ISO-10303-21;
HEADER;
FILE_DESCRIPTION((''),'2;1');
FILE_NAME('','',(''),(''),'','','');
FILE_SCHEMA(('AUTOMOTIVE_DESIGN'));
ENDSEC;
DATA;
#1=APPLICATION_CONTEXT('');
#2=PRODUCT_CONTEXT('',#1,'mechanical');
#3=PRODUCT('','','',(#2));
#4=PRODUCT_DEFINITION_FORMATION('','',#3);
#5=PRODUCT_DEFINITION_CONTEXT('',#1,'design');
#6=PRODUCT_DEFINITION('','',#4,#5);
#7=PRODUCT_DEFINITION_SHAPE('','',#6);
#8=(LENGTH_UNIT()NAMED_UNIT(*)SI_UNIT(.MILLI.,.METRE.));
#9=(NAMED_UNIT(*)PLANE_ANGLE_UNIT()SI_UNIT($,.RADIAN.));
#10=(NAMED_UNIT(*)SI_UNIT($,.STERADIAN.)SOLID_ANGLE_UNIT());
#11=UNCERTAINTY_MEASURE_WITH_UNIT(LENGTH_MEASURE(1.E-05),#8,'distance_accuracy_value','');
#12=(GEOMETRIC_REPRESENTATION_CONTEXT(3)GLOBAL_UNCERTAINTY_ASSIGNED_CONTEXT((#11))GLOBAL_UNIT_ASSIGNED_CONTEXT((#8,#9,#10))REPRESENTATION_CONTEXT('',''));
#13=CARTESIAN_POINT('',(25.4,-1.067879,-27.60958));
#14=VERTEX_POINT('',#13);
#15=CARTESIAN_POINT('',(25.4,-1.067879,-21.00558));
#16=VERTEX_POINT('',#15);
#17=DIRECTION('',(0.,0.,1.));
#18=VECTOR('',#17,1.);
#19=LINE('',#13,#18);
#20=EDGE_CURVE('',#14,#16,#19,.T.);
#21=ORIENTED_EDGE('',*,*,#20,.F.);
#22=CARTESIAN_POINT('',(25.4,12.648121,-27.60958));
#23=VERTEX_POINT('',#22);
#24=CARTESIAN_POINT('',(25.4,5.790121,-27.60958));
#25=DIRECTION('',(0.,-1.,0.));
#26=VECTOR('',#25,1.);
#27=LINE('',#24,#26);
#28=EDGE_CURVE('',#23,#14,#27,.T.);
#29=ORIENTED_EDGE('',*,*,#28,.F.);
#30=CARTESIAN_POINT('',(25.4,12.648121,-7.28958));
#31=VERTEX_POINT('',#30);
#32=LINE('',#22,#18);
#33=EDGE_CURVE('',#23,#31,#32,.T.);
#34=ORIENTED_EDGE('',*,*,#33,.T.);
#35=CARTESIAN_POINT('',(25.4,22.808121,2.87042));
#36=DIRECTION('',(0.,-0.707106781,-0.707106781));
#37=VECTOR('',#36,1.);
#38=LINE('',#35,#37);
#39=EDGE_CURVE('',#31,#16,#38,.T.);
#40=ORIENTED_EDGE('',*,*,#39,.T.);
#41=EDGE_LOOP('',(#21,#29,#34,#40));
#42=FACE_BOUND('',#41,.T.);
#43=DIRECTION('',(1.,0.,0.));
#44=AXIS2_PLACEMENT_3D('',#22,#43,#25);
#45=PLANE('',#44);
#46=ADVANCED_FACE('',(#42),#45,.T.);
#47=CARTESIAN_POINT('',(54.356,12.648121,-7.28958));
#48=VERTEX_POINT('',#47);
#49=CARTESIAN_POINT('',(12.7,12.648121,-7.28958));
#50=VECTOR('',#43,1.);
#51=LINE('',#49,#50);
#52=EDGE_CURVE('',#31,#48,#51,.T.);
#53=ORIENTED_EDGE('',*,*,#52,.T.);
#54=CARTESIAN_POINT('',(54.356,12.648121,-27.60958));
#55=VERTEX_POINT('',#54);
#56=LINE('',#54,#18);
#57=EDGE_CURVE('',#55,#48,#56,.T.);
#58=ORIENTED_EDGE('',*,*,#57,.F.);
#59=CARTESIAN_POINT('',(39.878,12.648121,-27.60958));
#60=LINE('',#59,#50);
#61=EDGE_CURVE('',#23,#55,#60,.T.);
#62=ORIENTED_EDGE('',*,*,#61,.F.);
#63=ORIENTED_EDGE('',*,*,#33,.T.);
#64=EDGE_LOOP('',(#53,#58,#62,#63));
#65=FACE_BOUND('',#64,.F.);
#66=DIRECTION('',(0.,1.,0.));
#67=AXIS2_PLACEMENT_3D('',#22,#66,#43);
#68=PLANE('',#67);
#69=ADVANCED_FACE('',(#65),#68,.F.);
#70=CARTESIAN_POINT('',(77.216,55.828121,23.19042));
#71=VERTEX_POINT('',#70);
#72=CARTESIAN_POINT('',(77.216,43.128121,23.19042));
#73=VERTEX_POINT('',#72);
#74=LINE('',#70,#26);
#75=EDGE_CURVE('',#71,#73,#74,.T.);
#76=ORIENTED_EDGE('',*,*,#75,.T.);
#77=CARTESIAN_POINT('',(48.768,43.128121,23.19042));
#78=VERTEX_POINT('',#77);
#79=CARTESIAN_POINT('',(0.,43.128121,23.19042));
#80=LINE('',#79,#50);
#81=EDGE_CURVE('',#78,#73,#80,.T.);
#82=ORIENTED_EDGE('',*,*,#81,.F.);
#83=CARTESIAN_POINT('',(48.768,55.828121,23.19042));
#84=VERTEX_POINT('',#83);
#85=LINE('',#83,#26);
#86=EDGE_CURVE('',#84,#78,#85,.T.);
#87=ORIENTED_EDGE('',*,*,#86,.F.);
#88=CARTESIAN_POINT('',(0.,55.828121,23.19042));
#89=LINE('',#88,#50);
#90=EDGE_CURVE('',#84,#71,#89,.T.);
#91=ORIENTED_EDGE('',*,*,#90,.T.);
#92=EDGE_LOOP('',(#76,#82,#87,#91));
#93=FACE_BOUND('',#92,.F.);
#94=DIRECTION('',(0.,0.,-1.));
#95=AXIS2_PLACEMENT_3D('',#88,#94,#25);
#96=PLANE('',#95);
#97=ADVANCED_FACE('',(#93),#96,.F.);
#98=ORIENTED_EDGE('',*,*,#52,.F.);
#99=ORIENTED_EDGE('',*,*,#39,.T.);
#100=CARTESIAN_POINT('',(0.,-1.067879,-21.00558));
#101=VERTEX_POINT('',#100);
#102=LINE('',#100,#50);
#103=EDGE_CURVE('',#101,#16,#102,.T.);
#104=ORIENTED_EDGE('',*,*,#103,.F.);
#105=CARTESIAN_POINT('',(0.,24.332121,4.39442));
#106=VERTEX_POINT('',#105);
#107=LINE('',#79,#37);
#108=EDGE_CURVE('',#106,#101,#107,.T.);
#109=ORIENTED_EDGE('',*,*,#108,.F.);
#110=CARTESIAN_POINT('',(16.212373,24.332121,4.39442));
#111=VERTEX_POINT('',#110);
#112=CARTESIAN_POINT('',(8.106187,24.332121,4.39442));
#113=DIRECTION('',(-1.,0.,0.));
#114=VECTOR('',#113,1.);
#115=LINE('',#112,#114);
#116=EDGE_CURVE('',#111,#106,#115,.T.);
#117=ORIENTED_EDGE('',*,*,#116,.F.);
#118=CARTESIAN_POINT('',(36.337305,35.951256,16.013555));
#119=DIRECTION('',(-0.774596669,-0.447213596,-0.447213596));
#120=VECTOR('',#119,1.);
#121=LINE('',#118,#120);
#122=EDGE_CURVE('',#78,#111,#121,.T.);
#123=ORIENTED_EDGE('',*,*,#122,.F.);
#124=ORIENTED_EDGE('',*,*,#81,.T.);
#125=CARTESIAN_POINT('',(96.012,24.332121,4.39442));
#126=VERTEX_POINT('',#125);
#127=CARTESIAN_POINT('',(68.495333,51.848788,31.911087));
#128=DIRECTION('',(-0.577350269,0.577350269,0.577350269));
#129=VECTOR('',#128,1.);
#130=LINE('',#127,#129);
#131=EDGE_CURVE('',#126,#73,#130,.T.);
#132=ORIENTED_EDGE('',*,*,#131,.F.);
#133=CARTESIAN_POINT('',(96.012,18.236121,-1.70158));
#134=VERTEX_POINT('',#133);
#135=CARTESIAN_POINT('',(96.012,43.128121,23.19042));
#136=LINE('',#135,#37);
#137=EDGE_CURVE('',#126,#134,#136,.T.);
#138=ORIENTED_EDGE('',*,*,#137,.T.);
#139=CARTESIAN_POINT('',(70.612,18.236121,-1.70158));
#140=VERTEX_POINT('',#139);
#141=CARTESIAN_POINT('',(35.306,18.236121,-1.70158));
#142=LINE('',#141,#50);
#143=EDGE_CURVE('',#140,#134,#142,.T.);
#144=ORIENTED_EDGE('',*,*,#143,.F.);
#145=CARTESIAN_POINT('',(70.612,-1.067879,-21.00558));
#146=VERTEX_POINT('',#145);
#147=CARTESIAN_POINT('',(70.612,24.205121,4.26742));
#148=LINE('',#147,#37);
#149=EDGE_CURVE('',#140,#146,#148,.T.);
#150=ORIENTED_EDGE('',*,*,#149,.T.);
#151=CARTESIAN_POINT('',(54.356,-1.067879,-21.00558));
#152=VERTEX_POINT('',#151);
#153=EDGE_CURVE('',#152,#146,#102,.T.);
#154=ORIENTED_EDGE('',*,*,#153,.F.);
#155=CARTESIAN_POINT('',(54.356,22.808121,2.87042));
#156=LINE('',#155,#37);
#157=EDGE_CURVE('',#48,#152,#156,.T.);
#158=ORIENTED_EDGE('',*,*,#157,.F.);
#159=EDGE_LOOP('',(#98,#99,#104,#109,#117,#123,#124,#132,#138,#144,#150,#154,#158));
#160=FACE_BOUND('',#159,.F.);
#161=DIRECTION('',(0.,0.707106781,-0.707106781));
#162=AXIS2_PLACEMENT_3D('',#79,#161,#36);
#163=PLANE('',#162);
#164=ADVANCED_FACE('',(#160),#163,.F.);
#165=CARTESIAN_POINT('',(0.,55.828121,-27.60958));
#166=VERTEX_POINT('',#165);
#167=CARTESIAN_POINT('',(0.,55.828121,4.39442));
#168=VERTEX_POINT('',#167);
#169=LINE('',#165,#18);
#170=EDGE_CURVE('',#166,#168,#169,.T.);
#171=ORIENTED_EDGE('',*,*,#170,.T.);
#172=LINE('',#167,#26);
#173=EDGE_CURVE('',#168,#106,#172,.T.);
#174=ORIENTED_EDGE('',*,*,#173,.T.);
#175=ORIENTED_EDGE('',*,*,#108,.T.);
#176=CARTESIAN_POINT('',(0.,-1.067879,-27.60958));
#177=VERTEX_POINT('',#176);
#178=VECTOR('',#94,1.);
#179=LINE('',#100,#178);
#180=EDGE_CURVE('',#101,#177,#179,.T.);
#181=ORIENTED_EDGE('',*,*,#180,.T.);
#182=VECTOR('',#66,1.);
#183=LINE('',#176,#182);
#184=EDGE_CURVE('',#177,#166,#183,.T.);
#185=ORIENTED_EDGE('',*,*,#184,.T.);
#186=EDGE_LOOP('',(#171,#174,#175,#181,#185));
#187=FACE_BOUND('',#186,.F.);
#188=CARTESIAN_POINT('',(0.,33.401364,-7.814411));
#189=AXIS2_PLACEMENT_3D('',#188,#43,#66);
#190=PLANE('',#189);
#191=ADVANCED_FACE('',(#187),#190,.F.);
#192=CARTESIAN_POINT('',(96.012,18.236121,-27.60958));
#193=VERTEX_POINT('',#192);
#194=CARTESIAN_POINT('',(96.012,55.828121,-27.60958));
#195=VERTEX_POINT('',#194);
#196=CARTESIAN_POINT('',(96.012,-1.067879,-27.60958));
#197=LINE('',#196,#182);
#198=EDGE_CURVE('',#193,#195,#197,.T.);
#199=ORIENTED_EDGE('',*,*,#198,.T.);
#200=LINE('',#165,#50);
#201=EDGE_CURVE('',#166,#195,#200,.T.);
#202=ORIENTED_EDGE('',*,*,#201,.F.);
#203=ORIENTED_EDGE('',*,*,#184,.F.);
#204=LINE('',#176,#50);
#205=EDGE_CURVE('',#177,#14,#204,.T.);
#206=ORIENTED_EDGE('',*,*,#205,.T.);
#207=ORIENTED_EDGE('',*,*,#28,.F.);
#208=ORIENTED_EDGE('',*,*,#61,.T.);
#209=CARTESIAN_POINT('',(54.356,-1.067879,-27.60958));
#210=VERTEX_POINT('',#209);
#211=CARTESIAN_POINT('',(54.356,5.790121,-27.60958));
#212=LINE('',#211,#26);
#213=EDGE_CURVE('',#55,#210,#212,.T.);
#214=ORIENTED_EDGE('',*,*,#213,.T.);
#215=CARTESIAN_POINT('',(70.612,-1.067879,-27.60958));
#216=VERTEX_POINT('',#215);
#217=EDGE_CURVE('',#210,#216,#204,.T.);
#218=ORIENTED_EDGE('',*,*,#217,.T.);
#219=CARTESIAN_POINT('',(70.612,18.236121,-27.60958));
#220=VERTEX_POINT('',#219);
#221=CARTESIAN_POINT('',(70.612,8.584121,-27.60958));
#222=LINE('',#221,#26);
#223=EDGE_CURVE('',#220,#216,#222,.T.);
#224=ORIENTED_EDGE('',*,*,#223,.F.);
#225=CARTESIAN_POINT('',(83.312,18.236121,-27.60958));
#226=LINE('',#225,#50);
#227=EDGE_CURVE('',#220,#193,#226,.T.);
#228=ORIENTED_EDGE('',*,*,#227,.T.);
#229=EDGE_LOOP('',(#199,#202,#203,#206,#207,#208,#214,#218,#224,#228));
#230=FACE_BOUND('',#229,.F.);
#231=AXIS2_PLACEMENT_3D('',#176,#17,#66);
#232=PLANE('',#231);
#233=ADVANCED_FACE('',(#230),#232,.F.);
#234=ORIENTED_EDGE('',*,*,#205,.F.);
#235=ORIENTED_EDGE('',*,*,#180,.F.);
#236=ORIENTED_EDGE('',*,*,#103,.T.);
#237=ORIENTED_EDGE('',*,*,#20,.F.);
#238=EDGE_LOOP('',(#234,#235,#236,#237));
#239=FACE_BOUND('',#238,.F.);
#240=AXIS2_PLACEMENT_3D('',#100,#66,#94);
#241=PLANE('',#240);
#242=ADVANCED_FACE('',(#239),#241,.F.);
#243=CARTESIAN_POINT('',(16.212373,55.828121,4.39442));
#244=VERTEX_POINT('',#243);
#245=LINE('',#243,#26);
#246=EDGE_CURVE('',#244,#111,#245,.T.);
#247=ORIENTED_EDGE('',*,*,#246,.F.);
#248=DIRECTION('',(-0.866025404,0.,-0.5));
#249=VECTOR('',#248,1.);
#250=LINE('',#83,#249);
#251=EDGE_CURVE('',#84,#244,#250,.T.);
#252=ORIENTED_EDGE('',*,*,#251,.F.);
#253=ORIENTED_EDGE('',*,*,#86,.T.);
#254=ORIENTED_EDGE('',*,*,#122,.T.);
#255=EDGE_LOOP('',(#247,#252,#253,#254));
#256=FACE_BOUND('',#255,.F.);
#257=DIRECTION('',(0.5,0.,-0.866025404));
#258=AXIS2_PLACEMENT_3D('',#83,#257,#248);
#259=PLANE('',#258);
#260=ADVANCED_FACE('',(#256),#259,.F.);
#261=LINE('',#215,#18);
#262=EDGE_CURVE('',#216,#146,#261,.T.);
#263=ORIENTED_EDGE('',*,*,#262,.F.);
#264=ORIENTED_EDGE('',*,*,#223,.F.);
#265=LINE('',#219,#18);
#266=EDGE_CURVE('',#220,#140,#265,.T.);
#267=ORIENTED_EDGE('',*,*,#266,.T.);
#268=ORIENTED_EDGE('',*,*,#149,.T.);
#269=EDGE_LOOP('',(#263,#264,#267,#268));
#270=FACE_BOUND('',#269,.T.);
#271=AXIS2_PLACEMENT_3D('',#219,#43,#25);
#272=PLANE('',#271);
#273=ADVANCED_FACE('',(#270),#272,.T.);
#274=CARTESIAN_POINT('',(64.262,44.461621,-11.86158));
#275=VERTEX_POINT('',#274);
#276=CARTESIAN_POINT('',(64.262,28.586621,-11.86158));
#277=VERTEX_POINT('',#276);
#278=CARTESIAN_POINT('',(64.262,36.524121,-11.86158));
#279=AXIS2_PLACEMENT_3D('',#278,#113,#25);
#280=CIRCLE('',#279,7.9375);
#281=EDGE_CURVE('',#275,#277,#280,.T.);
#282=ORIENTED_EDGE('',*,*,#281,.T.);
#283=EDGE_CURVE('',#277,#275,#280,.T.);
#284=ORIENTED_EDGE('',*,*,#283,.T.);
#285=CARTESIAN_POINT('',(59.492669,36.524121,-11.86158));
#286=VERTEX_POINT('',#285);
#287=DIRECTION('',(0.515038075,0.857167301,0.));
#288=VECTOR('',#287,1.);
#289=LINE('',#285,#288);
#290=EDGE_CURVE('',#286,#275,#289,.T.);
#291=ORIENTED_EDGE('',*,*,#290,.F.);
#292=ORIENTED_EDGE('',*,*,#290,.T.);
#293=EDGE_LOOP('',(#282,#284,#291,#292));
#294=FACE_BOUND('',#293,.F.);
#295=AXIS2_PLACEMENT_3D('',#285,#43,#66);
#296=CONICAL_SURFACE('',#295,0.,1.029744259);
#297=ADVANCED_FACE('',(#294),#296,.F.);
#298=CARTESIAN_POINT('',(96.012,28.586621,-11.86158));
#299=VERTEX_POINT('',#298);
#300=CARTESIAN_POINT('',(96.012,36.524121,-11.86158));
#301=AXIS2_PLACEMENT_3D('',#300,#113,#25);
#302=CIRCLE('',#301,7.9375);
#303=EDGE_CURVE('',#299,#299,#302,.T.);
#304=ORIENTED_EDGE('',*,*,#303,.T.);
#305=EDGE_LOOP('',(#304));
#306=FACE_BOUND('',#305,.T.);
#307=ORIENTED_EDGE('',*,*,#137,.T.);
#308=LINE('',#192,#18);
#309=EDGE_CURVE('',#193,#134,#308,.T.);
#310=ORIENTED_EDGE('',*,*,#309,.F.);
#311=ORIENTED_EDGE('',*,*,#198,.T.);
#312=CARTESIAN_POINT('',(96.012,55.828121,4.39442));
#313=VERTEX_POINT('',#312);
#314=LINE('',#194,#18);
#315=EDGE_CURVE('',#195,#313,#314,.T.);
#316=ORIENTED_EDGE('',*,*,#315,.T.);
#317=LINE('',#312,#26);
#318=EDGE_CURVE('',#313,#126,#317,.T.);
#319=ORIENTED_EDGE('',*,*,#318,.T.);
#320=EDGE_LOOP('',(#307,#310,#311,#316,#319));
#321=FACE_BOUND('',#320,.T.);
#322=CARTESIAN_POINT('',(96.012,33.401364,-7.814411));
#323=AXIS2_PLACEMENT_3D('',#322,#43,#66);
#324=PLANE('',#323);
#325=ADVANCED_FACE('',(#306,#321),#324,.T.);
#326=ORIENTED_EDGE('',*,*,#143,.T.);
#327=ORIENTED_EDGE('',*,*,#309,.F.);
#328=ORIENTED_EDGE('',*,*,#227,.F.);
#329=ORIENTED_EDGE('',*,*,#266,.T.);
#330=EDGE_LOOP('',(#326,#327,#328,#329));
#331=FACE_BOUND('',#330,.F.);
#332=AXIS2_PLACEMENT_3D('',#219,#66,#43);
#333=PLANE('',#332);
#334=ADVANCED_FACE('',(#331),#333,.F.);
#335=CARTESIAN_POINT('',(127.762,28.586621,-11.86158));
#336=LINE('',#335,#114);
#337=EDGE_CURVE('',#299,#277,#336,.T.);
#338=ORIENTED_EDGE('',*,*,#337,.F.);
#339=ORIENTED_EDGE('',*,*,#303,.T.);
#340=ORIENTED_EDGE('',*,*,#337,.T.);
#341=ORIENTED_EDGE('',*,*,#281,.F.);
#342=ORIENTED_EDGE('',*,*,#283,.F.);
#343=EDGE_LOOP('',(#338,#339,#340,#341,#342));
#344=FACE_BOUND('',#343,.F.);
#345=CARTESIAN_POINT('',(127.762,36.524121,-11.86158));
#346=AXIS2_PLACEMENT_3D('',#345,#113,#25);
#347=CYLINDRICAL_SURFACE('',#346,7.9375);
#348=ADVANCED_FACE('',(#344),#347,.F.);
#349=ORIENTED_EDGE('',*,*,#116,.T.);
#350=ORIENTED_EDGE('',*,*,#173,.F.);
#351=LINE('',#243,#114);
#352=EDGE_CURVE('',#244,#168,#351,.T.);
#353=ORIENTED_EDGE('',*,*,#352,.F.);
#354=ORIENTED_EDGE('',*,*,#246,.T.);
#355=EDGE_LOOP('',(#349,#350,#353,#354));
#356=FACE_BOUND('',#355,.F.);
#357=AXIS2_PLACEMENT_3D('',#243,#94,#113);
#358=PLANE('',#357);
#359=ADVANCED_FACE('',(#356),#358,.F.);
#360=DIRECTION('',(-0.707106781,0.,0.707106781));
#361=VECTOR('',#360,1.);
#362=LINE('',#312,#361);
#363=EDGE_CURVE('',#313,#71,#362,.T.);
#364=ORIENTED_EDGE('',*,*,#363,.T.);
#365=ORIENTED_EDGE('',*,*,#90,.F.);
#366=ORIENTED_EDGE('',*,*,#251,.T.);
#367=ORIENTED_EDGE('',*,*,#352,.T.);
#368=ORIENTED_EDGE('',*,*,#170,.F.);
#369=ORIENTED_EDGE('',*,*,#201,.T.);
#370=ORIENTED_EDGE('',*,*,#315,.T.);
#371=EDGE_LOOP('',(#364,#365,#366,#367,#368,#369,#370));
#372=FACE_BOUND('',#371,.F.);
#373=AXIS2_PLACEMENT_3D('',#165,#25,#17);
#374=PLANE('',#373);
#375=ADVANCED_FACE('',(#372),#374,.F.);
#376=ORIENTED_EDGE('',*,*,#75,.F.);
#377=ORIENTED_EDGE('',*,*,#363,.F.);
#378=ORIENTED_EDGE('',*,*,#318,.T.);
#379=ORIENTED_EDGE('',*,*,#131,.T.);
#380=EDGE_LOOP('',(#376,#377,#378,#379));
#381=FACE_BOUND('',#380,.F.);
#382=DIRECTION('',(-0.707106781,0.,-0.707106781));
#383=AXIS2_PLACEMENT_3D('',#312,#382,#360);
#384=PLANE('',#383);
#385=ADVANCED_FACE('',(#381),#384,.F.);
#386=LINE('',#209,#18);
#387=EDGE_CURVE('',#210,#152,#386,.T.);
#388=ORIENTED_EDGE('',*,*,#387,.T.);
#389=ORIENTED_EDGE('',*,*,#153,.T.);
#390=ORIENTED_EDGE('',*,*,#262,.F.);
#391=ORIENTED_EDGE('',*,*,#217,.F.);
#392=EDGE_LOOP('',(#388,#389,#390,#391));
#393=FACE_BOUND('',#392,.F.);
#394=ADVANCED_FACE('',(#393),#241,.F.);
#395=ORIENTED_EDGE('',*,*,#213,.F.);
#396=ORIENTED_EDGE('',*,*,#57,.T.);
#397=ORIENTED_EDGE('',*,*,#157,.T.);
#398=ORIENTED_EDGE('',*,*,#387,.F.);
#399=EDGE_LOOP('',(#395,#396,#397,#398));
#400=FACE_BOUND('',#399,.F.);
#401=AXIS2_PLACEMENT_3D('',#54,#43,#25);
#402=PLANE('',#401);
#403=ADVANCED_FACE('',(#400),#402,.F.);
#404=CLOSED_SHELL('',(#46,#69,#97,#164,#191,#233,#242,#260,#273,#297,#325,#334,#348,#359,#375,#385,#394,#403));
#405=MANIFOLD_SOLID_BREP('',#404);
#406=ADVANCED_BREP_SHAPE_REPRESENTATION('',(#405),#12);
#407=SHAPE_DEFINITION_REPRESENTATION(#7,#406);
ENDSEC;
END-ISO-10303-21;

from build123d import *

# Parameters (mm, degrees)
F1_DEPTH = 96.012
F3_D     = 15.875
F3_DEPTH = 31.75
F3_TIP   = 4.7693311635
F5_DEPTH = 56.897
F6_W     = 28.956
F6_H     = 13.716
F6_W_2   = 25.4
F6_H_2   = 19.304
F7_DEPTH = 50.801
F9_DEPTH = 56.897


with BuildPart() as f1:
    # F0 (on Right) → F1 (new body)
    with BuildSketch(Plane.YZ):
        Polygon((55.828121284, -27.6095795721), (55.828121284, 23.1904204279), (43.128121284, 23.1904204279), (-1.067878716, -21.0055795721), (-1.067878716, -27.6095795721), align=None)
    extrude(amount=F1_DEPTH)

    # F3
    with Locations(Plane.YZ.offset(96.012)):
        with Locations((36.524121284, -11.8615795721)):
            Hole(F3_D / 2, depth=F3_DEPTH)
            with Locations((0, 0, -(F3_DEPTH + F3_TIP / 2))):  # 118° drill point
                Cone(0, F3_D / 2, F3_TIP, mode=Mode.SUBTRACT)

    # F4 (on face) → F5 (cut, through all)
    with BuildSketch(Plane(origin=(0, 55.828121284, 0), x_dir=(-1, 0, 0), z_dir=(0, 1, 0))):
        Polygon((-96.012, 4.3944204279), (-77.216, 23.1904204279), (-96.012, 23.1904204279), align=None)
    extrude(amount=-F5_DEPTH, mode=Mode.SUBTRACT)

    # F6 (on face) → F7 (cut, through all)
    with BuildSketch(Plane(origin=(0, 0, -27.6095795721), x_dir=(1, 0, 0), z_dir=(0, 0, -1))):
        with Locations((39.878, -5.790121284)):
            Rectangle(F6_W, F6_H)
        with Locations((83.312, -8.584121284)):
            Rectangle(F6_W_2, F6_H_2)
    extrude(amount=-F7_DEPTH, mode=Mode.SUBTRACT)

    # F8 (on face) → F9 (cut, through all)
    with BuildSketch(Plane(origin=(0, 55.828121284, 0), x_dir=(-1, 0, 0), z_dir=(0, 1, 0))):
        Polygon((-16.2123730209, 4.3944204279), (0, 4.3944204279), (0, 23.1904204279), (-48.768, 23.1904204279), align=None)
    extrude(amount=-F9_DEPTH, mode=Mode.SUBTRACT)


solid = f1.part
